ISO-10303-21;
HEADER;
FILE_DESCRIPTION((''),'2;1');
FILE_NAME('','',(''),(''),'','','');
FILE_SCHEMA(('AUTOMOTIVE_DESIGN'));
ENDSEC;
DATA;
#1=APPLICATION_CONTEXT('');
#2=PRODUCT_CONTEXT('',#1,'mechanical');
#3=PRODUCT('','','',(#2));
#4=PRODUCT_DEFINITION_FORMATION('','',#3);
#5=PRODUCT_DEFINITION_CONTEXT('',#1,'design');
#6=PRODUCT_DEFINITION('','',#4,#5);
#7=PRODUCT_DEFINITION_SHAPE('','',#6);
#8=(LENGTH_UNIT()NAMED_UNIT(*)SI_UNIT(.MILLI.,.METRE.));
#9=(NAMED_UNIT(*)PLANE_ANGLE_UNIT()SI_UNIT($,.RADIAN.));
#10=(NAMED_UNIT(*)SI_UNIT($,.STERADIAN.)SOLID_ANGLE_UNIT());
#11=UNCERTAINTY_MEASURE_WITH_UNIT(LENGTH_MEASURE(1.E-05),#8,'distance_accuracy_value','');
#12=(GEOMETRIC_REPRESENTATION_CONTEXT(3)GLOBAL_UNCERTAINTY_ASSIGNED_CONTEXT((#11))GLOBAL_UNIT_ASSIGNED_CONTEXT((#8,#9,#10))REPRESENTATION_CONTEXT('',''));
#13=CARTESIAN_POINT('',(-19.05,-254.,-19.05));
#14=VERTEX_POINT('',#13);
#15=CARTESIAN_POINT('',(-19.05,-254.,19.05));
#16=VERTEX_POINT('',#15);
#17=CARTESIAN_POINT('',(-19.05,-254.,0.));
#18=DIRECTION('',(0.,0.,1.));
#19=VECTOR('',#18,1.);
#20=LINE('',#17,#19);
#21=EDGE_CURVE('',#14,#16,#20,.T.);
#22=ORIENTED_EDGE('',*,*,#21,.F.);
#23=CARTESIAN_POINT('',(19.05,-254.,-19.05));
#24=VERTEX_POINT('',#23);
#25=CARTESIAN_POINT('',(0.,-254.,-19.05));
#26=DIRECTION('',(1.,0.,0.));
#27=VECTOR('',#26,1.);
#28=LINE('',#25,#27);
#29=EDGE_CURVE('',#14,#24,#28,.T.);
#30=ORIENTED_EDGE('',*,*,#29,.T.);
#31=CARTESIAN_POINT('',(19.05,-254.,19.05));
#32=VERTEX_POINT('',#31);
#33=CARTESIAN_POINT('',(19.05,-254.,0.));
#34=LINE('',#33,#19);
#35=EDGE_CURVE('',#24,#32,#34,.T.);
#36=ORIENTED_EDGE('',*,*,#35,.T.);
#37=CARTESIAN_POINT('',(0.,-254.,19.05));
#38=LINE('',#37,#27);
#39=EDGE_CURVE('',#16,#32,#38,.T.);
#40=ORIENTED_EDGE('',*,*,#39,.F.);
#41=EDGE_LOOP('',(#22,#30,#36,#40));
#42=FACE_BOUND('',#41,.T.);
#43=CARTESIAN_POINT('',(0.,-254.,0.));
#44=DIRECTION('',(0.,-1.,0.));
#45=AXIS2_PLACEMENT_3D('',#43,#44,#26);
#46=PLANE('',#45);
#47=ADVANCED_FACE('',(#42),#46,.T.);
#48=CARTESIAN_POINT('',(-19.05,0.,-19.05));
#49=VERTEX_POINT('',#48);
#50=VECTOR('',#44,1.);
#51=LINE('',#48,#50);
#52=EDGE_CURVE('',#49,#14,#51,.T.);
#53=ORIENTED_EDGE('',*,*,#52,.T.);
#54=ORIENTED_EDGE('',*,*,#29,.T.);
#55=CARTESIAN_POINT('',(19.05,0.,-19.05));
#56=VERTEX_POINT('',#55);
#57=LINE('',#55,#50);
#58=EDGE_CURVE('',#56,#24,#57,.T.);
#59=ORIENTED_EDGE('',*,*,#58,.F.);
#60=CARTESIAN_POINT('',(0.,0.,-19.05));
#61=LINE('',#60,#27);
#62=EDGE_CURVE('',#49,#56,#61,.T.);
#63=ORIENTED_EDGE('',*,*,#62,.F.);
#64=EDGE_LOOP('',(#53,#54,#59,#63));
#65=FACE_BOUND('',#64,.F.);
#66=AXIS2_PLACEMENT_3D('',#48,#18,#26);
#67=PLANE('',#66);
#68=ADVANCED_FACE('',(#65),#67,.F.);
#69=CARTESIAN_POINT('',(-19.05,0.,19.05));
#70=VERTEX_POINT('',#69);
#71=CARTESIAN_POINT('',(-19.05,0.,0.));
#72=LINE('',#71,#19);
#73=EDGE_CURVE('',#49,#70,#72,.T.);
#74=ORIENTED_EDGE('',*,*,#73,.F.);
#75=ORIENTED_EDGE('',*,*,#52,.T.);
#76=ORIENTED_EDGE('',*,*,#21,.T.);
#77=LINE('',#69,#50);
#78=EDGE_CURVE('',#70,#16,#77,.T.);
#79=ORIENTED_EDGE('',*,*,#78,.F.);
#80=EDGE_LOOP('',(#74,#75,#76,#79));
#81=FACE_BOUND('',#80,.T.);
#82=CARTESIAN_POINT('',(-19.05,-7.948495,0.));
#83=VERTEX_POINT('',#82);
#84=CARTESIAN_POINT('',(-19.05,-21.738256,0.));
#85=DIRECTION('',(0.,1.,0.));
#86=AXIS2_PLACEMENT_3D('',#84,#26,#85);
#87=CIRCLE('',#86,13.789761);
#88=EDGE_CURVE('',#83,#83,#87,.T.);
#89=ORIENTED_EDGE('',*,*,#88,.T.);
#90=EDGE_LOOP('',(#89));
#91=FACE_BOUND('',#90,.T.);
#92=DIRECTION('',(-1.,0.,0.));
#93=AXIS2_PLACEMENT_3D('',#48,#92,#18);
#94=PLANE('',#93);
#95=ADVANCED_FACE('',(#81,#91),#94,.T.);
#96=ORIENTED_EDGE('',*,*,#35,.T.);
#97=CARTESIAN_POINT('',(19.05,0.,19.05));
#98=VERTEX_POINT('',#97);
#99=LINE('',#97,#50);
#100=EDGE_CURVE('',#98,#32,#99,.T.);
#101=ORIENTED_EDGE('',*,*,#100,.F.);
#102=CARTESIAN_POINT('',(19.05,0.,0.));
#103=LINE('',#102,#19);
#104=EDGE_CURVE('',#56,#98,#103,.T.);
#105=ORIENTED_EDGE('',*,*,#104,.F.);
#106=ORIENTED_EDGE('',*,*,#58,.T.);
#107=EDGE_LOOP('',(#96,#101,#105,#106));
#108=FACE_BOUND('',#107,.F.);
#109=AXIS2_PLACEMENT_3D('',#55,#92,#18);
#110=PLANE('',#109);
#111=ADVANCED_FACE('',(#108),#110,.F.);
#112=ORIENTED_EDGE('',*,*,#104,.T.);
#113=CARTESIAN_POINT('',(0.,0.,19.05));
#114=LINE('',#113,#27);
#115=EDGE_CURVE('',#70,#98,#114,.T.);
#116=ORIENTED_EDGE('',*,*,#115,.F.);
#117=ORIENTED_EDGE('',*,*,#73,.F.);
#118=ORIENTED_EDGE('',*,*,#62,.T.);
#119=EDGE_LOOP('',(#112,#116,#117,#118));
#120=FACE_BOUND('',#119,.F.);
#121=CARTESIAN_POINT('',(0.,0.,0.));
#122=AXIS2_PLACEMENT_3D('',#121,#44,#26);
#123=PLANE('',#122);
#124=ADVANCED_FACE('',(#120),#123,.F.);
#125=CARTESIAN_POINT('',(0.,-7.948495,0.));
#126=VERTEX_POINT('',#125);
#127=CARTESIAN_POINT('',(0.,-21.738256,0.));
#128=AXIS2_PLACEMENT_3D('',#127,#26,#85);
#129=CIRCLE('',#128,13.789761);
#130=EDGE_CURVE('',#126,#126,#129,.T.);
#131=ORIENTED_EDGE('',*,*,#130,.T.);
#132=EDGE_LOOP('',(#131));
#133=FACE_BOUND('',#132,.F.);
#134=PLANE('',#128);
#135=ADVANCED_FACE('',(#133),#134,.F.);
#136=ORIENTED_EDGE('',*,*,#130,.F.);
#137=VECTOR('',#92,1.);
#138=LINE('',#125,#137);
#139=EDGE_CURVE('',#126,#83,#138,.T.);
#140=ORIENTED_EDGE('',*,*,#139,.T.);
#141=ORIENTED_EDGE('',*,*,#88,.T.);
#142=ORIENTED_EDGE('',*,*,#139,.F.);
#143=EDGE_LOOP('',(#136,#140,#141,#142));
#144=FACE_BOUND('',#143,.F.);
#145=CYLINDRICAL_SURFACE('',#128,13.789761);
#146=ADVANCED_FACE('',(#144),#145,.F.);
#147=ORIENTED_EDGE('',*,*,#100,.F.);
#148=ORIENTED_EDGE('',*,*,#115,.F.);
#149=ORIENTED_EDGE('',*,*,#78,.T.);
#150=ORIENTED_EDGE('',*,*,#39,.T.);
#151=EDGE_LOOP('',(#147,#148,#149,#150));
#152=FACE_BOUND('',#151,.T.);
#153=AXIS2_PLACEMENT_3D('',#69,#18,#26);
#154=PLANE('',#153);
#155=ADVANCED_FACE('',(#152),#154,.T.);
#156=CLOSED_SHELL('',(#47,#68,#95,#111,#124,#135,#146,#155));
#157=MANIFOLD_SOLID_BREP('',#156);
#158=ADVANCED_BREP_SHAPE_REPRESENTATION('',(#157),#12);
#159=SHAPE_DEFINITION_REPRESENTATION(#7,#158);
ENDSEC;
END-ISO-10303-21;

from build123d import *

# Parameters (mm, degrees)
F0_W     = 38.1
F0_H     = 38.1
F1_DEPTH = 254
F2_R     = 13.789761
F3_DEPTH = 19.051


with BuildPart() as f1:
    # F0 (on Front) → F1 (new body)
    with BuildSketch(Plane.XZ):
        Rectangle(F0_W, F0_H)
    extrude(amount=F1_DEPTH)

    # F2 (on Right) → F3 (cut, through all)
    with BuildSketch(Plane.YZ):
        with Locations((-21.738256, 0)):
            Circle(F2_R)
    extrude(amount=-F3_DEPTH, mode=Mode.SUBTRACT)


solid = f1.part
